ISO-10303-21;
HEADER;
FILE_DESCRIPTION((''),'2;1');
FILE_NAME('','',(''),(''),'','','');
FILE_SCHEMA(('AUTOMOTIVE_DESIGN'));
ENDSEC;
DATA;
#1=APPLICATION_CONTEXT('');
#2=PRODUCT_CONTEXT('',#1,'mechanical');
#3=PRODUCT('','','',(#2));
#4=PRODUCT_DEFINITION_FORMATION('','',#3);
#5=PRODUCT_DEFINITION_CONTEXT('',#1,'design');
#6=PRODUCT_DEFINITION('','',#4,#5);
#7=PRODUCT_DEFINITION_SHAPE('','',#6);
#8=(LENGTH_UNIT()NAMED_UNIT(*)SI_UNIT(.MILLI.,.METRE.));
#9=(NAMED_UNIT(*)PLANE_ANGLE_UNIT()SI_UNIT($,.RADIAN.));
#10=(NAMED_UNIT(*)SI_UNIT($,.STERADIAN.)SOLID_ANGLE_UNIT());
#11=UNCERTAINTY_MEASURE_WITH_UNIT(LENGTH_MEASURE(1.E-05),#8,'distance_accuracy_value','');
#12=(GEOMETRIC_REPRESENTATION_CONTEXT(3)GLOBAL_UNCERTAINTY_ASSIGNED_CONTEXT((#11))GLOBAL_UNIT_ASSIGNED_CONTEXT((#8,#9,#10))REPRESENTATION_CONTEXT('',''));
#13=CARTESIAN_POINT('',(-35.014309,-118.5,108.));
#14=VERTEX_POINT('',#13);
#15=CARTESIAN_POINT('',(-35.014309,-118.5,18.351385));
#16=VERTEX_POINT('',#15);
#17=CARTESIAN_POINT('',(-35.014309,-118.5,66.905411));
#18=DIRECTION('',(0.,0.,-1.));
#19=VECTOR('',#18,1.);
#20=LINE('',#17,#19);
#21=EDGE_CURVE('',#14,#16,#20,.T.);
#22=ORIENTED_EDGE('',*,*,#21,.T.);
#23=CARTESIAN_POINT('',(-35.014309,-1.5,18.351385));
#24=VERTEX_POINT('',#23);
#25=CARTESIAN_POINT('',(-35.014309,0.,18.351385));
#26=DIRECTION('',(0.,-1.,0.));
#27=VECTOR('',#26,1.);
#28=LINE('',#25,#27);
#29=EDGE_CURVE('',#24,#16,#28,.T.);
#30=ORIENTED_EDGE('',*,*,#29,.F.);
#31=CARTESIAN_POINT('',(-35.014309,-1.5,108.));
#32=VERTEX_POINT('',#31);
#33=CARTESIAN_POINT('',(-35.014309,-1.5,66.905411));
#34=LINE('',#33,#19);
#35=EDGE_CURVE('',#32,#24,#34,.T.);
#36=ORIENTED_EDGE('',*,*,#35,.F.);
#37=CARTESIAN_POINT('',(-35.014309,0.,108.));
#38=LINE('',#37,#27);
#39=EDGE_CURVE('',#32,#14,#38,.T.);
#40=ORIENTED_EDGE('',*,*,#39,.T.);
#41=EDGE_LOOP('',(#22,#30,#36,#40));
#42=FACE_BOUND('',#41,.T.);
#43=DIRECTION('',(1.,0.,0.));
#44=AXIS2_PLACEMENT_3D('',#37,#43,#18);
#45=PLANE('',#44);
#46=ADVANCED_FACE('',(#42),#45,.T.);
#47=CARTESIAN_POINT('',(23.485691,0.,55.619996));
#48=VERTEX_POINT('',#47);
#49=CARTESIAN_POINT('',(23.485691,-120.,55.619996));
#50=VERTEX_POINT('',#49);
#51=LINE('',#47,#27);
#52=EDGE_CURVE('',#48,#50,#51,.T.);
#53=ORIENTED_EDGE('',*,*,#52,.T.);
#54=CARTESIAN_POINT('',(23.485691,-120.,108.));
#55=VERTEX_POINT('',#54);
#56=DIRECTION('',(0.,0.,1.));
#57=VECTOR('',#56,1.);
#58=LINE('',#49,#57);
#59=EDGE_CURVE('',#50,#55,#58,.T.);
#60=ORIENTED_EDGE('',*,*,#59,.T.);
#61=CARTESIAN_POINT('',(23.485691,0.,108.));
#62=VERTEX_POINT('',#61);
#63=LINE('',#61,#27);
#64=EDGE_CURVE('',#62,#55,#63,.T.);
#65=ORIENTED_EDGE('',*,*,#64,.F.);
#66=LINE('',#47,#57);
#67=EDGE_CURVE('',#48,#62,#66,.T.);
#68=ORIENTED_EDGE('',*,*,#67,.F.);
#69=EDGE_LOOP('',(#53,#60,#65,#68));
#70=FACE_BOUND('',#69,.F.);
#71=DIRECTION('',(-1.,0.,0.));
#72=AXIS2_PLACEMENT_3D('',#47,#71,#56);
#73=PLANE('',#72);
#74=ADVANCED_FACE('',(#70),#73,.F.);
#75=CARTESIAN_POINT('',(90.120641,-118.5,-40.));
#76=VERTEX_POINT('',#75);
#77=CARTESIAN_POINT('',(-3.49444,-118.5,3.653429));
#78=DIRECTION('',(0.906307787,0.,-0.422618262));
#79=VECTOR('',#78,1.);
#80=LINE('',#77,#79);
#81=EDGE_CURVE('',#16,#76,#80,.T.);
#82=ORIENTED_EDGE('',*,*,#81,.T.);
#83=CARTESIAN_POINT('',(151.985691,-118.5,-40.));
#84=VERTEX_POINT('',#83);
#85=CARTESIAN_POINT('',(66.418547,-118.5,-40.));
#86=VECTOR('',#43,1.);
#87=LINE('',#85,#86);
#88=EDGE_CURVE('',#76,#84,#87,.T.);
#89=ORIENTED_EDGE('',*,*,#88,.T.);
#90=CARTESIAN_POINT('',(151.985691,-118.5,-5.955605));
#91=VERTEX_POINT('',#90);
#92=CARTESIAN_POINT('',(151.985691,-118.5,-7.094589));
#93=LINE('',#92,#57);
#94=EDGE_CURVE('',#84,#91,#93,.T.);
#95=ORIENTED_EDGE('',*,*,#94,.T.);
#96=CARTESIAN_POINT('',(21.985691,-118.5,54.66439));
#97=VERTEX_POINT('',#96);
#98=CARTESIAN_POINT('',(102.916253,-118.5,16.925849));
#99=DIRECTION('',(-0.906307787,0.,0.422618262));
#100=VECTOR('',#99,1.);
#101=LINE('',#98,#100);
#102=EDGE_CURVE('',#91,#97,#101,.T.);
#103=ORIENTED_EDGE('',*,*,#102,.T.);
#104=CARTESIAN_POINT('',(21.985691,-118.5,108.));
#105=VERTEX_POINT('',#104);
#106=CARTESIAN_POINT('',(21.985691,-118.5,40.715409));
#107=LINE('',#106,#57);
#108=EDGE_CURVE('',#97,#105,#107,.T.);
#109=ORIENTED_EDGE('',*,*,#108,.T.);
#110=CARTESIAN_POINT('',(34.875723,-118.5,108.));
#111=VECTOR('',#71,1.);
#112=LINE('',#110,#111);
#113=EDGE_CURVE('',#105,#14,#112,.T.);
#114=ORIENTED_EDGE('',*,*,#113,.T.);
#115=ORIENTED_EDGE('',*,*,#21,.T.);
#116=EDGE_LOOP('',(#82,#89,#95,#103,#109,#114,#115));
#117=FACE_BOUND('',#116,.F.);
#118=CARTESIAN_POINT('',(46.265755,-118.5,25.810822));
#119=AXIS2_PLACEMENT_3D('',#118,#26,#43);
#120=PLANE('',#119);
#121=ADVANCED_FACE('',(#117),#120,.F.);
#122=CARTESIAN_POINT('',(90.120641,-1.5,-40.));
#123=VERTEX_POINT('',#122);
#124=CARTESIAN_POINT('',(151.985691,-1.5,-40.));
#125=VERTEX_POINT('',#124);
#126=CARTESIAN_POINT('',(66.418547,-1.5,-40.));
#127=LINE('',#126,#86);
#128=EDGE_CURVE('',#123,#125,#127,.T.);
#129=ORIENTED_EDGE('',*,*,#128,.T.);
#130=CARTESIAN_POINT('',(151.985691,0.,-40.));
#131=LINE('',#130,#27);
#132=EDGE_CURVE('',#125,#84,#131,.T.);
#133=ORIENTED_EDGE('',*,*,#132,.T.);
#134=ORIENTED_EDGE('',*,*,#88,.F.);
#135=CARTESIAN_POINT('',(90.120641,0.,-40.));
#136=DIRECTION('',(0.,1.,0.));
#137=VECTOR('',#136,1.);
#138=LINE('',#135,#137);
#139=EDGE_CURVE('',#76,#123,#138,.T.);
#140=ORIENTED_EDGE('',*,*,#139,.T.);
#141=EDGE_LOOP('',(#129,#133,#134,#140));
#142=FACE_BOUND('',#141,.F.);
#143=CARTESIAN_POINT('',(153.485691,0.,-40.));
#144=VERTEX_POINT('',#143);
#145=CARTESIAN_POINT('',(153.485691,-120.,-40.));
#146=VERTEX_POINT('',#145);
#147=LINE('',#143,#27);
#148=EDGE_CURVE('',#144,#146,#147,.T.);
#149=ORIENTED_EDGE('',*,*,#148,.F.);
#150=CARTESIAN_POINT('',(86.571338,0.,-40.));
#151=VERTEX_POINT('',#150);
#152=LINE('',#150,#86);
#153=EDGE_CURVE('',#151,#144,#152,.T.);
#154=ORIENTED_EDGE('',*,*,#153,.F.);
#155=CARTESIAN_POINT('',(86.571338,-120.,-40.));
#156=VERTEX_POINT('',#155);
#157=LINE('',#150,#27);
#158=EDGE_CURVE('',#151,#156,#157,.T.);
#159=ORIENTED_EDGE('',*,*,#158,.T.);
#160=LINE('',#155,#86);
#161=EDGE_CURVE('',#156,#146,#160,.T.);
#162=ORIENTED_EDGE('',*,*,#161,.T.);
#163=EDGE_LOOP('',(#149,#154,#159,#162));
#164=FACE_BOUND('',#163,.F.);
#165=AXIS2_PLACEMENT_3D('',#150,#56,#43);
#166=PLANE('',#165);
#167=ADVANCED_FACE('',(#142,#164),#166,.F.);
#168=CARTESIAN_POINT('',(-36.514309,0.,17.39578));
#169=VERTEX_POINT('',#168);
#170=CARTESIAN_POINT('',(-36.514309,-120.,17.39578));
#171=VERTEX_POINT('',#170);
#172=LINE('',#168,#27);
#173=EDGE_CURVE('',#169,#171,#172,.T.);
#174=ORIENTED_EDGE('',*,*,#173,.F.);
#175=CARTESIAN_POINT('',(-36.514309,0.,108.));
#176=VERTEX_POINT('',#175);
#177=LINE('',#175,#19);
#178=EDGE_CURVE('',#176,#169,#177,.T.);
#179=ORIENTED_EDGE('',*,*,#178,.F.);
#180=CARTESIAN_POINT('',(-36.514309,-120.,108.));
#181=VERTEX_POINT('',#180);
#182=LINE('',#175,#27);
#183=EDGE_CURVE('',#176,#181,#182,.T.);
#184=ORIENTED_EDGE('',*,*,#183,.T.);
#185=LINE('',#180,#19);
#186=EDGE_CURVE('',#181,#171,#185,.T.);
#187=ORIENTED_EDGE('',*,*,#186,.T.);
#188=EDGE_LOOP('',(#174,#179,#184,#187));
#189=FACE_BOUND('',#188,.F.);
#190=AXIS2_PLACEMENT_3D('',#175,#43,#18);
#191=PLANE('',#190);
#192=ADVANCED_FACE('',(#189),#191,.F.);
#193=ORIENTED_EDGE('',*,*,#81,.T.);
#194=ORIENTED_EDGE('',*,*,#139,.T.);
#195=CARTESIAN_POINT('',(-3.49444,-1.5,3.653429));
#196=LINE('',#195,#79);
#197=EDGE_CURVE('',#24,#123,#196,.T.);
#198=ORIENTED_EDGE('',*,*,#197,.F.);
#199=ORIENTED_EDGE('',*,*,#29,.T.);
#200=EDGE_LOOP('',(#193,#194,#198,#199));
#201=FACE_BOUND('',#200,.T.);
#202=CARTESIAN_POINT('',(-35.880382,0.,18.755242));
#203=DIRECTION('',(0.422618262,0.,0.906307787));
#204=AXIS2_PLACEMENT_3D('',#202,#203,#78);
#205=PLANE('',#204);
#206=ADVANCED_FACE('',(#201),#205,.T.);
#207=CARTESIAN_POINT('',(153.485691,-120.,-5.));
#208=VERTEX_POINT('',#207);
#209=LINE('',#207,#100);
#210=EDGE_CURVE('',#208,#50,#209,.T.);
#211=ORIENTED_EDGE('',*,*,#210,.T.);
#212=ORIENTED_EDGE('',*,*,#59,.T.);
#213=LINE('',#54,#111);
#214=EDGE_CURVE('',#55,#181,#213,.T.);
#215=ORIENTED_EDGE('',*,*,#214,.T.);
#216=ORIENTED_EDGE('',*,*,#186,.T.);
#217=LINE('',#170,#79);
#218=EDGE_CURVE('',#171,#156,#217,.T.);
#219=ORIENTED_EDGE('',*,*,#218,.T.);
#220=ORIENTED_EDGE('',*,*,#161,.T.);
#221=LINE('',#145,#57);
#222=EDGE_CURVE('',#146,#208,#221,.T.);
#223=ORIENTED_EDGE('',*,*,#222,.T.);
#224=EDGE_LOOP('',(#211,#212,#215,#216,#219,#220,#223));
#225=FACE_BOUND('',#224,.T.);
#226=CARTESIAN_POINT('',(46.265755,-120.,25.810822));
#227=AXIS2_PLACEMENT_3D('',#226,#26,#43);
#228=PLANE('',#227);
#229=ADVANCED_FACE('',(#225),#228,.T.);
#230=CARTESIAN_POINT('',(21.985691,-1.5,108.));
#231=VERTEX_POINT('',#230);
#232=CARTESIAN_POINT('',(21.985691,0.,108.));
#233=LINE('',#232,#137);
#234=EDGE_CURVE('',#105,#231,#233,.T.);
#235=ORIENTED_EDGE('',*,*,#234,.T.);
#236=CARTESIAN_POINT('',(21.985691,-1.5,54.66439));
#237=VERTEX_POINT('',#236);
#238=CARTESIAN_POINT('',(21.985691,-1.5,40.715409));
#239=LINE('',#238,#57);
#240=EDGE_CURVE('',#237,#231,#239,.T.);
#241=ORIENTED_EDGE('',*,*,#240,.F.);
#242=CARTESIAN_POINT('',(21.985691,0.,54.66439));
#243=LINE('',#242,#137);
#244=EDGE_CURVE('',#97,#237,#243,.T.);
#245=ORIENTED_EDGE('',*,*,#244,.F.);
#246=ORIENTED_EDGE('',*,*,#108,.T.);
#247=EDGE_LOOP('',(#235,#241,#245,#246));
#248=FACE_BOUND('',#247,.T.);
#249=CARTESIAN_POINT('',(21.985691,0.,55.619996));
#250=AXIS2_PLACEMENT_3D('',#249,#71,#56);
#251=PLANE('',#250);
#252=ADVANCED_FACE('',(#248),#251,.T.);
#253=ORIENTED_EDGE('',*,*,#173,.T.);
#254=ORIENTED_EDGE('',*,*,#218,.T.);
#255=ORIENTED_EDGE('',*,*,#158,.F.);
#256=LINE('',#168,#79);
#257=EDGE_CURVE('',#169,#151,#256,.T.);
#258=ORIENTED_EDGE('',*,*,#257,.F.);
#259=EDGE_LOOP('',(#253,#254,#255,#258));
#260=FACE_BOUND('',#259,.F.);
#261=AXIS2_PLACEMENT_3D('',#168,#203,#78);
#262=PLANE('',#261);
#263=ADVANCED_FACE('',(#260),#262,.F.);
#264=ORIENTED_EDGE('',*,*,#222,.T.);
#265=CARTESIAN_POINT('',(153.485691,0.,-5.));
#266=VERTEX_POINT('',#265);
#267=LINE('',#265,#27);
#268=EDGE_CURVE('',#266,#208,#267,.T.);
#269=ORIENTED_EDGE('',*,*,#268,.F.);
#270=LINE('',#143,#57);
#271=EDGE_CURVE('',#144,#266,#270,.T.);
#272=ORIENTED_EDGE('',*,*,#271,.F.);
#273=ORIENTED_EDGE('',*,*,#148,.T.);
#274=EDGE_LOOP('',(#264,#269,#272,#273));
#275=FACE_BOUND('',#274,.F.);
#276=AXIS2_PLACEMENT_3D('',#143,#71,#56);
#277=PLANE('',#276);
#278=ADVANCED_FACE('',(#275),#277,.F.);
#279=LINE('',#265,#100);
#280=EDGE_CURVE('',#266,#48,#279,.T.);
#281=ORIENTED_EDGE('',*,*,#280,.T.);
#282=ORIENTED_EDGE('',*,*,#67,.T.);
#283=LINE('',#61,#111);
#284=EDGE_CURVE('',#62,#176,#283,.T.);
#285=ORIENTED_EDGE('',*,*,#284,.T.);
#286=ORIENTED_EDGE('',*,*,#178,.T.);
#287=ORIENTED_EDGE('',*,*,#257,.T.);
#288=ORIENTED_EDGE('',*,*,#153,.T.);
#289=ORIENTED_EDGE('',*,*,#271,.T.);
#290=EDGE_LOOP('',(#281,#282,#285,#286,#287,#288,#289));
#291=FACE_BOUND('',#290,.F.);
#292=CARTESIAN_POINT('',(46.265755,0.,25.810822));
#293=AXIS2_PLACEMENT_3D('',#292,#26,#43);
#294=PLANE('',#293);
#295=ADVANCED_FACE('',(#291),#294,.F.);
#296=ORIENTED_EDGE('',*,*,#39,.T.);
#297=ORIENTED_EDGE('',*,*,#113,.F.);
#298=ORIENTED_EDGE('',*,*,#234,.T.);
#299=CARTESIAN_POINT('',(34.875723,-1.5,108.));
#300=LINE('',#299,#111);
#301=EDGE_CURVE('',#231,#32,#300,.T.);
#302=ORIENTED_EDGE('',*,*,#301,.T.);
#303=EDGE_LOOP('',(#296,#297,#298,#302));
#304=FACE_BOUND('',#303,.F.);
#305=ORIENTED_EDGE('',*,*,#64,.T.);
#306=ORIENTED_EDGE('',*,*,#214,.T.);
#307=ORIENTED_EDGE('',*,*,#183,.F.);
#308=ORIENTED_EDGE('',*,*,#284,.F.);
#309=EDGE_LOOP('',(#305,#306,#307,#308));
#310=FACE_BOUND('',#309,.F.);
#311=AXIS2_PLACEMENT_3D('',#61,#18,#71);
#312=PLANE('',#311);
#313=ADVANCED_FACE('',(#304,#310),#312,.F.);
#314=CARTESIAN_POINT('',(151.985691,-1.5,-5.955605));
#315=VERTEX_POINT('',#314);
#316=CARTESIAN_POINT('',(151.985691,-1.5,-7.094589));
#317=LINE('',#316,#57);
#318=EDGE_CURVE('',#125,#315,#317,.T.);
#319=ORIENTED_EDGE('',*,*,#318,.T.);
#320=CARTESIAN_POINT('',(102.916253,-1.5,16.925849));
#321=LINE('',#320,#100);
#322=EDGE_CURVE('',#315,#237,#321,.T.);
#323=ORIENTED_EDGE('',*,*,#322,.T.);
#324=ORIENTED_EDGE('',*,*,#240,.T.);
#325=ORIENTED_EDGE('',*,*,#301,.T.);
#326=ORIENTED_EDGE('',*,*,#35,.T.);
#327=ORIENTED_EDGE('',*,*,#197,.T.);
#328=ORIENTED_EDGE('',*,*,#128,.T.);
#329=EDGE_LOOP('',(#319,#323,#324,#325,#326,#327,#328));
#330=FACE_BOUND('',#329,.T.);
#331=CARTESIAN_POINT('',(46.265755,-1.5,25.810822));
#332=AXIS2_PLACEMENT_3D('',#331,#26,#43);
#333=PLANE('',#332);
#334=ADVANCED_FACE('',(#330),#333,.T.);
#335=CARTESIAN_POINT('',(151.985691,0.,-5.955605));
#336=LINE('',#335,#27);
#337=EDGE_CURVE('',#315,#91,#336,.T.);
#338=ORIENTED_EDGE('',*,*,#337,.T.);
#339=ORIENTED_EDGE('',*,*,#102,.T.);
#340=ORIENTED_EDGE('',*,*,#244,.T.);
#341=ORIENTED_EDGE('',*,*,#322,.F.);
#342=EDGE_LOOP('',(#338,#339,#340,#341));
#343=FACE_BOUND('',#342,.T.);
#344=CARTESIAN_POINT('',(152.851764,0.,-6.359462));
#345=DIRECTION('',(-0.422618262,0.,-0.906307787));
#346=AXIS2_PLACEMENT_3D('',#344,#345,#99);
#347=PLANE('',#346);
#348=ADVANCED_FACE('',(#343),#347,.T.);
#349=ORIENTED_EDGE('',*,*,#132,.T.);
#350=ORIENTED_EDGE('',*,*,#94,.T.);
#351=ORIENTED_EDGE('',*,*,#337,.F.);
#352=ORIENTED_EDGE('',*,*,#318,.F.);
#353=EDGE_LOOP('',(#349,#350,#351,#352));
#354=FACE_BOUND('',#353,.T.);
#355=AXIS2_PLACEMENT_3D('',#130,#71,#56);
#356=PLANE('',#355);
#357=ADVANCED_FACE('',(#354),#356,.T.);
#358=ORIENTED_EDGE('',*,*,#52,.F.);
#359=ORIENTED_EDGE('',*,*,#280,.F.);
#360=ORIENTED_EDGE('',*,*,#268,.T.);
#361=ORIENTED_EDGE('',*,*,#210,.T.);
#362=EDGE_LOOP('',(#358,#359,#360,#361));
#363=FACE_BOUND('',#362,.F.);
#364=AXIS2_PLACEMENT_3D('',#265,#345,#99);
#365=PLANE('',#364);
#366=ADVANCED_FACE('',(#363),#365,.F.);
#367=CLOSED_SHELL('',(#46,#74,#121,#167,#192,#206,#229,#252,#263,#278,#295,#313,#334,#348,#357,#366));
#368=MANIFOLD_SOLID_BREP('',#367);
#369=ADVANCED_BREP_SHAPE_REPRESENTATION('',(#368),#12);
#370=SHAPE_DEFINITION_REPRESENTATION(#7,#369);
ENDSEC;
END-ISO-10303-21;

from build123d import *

# Parameters (mm, degrees)
F2_DEPTH = 120
F3_T     = -1.5


with BuildPart() as f2:
    # F1 (on Front) → F2 (new body)
    with BuildSketch(Plane.XZ):
        Polygon((23.4856910496, 108), (-36.5143089504, 108), (-36.5143089504, 17.3957799117), (86.5713382783, -40), (153.4856910496, -40), (153.4856910496, -5), (23.4856910496, 55.6199955601), align=None)
    extrude(amount=F2_DEPTH)

    # F3
    f3_openings = [f2.faces().sort_by_distance(p)[0] for p in [
        (-6.514309, -60, 108),
        (120.028515, -60, -40),
    ]]
    offset(amount=F3_T, openings=f3_openings, kind=Kind.INTERSECTION)


solid = f2.part
